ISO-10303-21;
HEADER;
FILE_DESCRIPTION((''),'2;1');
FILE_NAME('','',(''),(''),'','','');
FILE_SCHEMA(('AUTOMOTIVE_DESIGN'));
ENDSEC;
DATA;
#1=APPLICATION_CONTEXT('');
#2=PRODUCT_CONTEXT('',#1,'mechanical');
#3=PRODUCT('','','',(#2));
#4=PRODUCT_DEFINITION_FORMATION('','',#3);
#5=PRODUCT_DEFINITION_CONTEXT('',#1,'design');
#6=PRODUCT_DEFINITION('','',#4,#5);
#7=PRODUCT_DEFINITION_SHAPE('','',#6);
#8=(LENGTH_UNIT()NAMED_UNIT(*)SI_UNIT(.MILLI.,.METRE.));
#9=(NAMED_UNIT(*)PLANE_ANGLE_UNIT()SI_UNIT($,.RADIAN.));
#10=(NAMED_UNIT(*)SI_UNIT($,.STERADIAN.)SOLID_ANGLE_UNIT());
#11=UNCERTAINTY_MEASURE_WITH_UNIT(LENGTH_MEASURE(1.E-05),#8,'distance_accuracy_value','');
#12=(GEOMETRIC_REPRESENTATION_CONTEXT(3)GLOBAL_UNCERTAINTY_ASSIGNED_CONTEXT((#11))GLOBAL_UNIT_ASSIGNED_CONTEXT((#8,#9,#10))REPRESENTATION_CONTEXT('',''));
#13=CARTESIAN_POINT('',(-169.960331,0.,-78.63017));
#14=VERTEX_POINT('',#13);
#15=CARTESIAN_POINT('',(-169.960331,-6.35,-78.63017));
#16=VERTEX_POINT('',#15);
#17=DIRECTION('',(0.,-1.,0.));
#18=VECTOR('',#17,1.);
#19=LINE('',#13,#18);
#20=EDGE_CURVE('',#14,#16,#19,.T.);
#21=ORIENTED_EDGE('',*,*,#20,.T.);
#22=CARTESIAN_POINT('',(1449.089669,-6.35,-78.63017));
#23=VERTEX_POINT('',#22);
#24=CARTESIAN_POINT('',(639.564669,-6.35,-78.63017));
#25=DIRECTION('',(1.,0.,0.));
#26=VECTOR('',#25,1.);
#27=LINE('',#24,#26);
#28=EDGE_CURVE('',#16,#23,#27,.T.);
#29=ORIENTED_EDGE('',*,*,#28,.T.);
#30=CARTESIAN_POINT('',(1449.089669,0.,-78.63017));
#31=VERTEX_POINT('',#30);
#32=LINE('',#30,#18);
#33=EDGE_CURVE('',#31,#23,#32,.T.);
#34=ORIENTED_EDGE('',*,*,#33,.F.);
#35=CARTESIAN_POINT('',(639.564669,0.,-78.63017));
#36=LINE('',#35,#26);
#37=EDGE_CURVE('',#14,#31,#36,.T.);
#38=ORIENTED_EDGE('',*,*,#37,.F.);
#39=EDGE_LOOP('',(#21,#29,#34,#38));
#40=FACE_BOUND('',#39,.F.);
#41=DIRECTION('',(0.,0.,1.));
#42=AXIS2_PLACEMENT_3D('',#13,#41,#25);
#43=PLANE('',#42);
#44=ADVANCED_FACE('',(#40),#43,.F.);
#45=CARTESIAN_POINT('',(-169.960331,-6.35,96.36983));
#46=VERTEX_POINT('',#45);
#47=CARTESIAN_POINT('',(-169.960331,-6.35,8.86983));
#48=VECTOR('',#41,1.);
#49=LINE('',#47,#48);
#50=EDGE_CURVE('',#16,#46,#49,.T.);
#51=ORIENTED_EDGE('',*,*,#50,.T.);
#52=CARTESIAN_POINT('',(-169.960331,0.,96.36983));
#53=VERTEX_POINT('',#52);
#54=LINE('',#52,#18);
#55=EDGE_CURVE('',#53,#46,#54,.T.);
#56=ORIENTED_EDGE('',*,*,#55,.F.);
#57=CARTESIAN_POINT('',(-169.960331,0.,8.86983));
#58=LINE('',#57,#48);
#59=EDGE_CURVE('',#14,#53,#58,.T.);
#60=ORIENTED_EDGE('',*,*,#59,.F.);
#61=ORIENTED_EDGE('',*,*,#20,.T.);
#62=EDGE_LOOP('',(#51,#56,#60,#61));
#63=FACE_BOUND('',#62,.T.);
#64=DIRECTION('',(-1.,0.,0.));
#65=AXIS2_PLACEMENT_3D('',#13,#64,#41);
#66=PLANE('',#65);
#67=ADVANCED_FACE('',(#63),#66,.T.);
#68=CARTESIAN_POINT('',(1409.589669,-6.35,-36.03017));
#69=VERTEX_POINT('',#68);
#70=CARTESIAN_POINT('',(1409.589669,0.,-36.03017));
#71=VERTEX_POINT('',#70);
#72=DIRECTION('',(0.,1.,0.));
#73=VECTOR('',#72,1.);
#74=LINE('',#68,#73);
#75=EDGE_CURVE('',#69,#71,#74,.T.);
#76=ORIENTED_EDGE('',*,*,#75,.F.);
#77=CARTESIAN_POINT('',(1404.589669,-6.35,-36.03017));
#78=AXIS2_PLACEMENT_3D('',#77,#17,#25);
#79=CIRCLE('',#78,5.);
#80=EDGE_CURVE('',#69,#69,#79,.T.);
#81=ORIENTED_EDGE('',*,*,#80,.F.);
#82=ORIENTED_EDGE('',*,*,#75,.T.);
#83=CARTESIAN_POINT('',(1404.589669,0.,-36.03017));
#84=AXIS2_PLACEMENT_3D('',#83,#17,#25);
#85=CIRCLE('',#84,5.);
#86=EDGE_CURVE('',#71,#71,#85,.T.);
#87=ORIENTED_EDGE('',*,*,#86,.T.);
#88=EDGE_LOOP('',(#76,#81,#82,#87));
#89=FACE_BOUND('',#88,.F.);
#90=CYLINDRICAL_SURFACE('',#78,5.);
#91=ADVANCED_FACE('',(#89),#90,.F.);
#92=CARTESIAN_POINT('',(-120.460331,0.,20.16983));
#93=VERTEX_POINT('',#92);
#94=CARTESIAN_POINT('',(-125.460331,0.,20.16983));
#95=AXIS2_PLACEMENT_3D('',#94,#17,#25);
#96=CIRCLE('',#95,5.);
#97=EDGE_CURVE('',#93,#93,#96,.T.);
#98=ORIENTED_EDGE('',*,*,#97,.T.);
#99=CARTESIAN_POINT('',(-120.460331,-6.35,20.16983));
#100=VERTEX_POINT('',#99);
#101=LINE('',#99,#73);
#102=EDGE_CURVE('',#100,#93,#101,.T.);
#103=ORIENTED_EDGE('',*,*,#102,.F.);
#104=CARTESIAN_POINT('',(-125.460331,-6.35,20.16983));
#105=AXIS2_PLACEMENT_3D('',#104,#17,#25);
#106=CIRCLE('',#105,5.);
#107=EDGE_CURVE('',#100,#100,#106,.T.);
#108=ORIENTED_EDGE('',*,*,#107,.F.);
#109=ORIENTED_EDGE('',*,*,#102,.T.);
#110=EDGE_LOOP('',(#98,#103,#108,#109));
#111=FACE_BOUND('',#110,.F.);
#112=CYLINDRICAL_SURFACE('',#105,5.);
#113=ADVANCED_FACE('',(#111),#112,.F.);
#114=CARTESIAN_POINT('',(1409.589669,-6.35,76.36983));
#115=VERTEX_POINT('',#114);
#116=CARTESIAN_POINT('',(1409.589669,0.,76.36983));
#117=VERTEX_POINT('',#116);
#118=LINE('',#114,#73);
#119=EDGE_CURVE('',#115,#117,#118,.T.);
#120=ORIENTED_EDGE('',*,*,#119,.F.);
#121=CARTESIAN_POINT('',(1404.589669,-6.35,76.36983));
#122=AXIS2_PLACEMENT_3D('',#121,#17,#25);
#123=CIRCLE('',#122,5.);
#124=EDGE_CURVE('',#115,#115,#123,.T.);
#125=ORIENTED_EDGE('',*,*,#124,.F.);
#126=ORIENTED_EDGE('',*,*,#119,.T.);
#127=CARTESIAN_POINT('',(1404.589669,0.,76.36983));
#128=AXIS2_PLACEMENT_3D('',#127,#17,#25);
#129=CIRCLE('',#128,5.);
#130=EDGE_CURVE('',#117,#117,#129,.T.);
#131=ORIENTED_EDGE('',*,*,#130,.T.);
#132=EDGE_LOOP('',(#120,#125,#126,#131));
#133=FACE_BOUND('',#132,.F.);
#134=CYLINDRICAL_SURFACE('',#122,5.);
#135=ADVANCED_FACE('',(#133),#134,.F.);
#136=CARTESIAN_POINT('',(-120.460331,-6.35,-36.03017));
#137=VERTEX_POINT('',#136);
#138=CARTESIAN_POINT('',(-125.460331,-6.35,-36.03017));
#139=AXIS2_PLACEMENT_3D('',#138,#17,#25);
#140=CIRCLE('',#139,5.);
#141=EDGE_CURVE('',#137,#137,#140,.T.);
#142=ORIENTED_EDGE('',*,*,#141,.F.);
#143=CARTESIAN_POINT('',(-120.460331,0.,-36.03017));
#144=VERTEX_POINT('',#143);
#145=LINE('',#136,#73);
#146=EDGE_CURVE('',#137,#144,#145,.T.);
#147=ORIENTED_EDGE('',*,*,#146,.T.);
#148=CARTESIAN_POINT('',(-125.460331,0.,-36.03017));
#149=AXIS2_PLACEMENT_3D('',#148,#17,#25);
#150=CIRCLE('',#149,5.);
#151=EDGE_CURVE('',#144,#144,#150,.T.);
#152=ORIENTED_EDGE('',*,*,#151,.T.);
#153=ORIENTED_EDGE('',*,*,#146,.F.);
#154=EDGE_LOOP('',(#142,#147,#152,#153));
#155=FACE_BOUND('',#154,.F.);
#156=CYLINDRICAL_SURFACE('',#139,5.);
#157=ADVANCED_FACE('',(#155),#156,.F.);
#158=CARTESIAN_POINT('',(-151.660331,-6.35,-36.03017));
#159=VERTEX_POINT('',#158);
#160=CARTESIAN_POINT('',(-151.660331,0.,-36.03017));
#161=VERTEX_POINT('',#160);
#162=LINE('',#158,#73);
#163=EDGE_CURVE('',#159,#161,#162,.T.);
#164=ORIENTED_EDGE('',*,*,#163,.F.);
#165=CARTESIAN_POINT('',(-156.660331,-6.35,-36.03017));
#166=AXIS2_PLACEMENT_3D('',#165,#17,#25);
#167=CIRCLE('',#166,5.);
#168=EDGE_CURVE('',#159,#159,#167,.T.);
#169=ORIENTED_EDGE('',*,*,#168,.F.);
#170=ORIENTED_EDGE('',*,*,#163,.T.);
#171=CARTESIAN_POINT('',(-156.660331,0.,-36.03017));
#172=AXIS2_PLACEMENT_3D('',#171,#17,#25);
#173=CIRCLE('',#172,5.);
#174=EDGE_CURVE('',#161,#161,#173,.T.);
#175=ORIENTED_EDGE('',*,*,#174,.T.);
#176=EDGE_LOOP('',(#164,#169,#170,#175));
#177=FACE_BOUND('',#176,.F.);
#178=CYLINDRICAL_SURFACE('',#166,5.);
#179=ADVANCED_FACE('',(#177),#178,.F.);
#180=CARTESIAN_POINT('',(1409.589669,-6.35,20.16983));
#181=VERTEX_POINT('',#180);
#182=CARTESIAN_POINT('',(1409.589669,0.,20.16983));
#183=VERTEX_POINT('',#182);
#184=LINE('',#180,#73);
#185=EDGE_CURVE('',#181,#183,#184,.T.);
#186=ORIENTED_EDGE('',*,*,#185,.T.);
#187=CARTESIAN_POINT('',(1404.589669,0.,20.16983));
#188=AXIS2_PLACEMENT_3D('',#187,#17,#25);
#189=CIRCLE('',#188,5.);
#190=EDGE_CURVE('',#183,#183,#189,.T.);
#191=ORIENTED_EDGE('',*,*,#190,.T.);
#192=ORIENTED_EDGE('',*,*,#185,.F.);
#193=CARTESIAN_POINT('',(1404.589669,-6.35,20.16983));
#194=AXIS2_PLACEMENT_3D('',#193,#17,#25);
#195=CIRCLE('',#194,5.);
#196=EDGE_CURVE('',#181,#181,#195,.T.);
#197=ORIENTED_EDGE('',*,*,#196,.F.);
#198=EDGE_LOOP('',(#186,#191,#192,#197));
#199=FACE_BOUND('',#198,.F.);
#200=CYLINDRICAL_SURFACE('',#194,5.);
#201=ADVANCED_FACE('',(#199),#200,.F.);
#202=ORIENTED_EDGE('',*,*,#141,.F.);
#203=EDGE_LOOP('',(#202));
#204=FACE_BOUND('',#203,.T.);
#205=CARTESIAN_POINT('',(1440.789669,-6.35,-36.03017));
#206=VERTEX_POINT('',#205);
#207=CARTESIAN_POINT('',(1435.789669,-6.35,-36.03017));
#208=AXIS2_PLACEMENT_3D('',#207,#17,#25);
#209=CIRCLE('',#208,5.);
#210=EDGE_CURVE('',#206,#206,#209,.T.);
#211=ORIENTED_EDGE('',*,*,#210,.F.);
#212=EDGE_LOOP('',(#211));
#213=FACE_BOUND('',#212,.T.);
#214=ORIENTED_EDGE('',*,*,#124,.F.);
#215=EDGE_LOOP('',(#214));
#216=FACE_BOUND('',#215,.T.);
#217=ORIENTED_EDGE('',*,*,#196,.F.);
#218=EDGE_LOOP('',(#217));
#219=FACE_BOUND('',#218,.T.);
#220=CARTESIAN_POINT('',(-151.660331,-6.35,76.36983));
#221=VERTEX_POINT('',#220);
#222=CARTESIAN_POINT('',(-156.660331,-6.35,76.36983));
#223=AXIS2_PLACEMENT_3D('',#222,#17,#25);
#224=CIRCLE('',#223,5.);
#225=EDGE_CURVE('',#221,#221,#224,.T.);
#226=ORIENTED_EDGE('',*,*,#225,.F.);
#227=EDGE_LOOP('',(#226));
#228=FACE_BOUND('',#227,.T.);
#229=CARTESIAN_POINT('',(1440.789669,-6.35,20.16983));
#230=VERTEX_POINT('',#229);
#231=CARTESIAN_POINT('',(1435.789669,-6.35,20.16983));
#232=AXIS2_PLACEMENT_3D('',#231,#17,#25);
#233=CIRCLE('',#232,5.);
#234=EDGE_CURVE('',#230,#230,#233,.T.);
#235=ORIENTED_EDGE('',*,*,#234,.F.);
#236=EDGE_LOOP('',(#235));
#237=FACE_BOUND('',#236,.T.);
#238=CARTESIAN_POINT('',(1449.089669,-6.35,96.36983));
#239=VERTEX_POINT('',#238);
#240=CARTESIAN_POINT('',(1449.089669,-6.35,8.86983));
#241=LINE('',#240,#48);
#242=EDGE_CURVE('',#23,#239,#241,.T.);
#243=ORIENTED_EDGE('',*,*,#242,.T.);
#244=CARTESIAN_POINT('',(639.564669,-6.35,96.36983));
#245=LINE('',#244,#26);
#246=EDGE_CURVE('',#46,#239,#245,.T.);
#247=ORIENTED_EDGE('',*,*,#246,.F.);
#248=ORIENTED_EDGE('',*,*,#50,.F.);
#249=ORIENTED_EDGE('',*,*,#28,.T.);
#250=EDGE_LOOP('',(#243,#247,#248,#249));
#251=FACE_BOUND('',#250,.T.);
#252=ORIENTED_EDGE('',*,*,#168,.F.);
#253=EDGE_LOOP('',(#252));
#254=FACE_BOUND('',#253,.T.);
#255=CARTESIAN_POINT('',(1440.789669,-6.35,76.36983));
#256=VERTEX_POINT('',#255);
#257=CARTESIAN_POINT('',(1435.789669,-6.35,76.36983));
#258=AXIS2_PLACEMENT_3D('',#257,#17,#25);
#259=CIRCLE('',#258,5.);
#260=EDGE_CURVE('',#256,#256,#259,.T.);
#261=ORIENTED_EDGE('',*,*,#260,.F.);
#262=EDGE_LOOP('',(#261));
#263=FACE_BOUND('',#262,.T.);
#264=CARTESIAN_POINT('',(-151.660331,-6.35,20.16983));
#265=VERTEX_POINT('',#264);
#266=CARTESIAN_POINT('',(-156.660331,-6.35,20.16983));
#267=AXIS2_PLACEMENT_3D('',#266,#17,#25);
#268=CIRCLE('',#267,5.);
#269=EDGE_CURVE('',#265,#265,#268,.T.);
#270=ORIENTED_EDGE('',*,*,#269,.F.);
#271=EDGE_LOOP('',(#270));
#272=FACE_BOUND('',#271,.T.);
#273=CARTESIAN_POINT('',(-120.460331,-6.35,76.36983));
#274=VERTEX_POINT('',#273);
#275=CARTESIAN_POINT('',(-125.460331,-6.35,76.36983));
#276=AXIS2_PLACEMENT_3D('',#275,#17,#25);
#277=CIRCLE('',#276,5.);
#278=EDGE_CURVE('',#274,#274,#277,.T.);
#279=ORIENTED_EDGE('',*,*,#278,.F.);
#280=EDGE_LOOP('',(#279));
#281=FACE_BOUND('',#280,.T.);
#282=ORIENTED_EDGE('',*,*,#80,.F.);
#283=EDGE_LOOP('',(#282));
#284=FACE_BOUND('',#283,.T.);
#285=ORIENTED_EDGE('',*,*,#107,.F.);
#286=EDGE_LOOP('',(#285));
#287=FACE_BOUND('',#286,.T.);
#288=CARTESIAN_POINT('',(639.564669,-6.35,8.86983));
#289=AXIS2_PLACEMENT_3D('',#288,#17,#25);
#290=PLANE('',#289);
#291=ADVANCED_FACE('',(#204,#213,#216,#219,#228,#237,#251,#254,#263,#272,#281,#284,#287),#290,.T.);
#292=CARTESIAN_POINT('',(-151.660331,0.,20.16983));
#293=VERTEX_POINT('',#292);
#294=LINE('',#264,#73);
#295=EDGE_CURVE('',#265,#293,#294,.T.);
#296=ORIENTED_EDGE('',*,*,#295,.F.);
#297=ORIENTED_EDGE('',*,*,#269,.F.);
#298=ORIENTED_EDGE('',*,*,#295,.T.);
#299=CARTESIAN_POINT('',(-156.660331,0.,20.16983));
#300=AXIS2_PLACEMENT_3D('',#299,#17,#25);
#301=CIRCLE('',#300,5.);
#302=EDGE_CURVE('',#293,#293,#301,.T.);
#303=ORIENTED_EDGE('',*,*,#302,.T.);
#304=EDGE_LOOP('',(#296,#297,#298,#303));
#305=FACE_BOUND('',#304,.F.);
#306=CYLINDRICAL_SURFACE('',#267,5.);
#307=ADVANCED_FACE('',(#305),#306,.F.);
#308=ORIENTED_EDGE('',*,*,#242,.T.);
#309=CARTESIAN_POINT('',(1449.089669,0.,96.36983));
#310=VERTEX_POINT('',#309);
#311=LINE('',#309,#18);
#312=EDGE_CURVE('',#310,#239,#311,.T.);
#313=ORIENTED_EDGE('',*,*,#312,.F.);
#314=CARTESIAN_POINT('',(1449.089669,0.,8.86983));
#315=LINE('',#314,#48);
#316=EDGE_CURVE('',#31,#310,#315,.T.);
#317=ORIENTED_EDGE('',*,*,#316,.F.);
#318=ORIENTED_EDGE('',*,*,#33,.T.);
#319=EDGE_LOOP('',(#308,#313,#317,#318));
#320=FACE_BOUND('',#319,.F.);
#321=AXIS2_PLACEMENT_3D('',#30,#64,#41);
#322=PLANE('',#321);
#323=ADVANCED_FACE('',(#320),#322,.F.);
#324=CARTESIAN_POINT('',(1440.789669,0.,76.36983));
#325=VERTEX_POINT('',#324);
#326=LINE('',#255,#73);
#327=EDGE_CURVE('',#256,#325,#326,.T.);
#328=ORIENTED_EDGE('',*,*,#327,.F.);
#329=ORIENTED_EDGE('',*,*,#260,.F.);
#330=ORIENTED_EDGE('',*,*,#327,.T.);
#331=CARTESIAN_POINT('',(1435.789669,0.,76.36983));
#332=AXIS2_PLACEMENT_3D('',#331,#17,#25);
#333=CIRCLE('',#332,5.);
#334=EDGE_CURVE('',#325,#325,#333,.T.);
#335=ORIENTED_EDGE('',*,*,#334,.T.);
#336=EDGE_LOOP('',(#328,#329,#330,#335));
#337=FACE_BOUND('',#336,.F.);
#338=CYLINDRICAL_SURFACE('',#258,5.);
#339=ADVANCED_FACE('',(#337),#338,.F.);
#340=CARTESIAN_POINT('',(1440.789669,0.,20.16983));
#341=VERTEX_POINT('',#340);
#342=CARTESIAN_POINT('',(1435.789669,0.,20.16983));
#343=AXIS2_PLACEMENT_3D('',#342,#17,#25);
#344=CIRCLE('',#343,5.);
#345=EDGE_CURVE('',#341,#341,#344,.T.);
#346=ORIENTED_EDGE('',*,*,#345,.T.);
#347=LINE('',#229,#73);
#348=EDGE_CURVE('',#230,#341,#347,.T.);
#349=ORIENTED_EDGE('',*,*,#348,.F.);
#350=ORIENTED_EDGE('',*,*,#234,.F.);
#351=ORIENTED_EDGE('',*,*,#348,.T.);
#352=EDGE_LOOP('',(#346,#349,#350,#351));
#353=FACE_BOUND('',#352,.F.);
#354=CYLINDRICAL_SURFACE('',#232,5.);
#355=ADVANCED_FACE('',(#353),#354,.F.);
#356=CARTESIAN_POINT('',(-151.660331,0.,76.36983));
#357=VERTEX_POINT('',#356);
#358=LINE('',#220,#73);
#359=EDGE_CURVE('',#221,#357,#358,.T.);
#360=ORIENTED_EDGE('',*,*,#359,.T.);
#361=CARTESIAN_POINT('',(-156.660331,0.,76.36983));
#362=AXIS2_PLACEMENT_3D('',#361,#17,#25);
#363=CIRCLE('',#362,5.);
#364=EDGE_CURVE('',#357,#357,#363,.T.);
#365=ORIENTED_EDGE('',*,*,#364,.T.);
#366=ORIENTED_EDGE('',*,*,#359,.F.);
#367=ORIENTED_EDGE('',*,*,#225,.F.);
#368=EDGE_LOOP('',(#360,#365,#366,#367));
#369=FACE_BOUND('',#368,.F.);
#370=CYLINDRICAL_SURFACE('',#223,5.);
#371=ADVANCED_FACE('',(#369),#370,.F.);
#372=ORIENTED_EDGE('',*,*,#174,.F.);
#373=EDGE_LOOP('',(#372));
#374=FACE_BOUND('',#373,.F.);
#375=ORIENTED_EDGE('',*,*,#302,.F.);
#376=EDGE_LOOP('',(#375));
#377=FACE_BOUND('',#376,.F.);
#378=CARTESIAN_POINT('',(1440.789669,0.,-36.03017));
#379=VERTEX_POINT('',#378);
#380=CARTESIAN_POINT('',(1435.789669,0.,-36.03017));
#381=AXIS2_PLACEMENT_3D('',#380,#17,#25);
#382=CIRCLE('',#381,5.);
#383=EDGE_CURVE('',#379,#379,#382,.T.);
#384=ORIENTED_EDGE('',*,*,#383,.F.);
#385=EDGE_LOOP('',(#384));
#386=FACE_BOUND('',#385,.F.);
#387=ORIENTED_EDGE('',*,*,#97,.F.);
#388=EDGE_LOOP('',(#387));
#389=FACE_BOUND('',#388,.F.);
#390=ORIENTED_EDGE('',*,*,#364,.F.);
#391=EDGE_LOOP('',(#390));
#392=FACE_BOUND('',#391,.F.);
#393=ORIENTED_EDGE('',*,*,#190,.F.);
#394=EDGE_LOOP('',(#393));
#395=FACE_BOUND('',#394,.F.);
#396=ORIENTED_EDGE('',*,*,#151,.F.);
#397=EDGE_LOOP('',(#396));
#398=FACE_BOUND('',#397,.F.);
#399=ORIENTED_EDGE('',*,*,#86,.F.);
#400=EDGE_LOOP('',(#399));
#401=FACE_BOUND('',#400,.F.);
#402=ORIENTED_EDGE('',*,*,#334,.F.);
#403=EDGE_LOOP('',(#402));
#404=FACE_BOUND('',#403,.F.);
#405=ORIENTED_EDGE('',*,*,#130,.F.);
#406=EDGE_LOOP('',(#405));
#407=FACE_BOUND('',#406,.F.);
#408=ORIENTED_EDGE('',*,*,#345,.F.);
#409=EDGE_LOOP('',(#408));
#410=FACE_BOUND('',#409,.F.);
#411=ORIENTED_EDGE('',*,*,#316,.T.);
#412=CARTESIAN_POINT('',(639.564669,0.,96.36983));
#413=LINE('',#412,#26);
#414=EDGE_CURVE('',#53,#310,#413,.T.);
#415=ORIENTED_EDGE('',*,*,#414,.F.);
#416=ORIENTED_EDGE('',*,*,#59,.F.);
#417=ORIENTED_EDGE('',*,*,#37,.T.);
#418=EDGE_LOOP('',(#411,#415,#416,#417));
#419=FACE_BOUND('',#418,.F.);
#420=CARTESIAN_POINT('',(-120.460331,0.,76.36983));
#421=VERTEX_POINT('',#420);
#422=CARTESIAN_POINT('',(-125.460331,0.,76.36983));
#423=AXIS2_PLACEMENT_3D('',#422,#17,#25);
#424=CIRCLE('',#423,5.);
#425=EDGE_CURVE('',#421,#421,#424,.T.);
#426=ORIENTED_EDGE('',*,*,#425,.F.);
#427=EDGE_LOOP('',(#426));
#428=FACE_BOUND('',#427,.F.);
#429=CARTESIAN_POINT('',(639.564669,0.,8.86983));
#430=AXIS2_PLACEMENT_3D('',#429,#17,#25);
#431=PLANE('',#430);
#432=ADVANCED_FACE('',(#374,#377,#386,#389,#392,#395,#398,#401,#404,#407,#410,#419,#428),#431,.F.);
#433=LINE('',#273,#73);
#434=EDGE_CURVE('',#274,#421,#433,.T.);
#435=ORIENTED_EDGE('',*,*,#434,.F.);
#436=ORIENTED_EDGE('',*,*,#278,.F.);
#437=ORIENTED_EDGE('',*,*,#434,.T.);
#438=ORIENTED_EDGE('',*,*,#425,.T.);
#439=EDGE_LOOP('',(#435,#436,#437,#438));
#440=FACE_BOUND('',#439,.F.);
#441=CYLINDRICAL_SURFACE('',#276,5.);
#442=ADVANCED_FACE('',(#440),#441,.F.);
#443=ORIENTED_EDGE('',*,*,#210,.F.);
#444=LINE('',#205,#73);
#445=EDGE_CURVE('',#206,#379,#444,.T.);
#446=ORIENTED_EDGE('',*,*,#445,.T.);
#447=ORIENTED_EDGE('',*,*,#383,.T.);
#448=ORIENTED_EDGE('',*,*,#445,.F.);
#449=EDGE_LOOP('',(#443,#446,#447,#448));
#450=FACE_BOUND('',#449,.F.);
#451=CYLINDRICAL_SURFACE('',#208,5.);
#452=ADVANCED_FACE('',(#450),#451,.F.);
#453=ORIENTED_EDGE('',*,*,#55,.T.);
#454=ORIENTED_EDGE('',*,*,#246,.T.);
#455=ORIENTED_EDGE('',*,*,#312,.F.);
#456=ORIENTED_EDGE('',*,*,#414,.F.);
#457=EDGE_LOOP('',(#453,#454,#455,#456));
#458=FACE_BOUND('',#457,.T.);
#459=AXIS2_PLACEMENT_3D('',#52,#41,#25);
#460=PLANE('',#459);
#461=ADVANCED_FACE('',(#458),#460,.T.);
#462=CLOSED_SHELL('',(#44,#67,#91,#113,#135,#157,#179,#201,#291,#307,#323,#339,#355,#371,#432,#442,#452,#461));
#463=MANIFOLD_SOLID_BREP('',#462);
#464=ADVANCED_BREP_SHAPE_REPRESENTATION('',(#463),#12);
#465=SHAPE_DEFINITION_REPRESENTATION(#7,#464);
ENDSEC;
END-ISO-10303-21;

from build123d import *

# Parameters (mm, degrees)
F0_W     = 1619.05
F0_H     = 175
F1_DEPTH = 6.35
F2_R     = 5
F3_DEPTH = 25


with BuildPart() as f1:
    # F0 (on Front) → F1 (new body)
    with BuildSketch(Plane.XZ):
        with Locations((639.564669, 8.86983)):
            Rectangle(F0_W, F0_H)
    extrude(amount=F1_DEPTH)

    # F2 (on face) → F3 (cut)
    with BuildSketch(Plane.XZ.offset(6.35)):
        with Locations((-156.660331, 20.16983)):
            Circle(F2_R)
        with Locations((-156.660331, -36.03017)):
            Circle(F2_R)
        with Locations((-125.460331, 76.36983)):
            Circle(F2_R)
        with Locations((-125.460331, 20.16983)):
            Circle(F2_R)
        with Locations((-125.460331, -36.03017)):
            Circle(F2_R)
        with Locations((-156.660331, 76.36983)):
            Circle(F2_R)
        with Locations((1404.589669, 76.36983)):
            Circle(F2_R)
        with Locations((1435.789669, 76.36983)):
            Circle(F2_R)
        with Locations((1404.589669, 20.16983)):
            Circle(F2_R)
        with Locations((1435.789669, 20.16983)):
            Circle(F2_R)
        with Locations((1435.789669, -36.03017)):
            Circle(F2_R)
        with Locations((1404.589669, -36.03017)):
            Circle(F2_R)
    extrude(amount=-F3_DEPTH, mode=Mode.SUBTRACT)


solid = f1.part
